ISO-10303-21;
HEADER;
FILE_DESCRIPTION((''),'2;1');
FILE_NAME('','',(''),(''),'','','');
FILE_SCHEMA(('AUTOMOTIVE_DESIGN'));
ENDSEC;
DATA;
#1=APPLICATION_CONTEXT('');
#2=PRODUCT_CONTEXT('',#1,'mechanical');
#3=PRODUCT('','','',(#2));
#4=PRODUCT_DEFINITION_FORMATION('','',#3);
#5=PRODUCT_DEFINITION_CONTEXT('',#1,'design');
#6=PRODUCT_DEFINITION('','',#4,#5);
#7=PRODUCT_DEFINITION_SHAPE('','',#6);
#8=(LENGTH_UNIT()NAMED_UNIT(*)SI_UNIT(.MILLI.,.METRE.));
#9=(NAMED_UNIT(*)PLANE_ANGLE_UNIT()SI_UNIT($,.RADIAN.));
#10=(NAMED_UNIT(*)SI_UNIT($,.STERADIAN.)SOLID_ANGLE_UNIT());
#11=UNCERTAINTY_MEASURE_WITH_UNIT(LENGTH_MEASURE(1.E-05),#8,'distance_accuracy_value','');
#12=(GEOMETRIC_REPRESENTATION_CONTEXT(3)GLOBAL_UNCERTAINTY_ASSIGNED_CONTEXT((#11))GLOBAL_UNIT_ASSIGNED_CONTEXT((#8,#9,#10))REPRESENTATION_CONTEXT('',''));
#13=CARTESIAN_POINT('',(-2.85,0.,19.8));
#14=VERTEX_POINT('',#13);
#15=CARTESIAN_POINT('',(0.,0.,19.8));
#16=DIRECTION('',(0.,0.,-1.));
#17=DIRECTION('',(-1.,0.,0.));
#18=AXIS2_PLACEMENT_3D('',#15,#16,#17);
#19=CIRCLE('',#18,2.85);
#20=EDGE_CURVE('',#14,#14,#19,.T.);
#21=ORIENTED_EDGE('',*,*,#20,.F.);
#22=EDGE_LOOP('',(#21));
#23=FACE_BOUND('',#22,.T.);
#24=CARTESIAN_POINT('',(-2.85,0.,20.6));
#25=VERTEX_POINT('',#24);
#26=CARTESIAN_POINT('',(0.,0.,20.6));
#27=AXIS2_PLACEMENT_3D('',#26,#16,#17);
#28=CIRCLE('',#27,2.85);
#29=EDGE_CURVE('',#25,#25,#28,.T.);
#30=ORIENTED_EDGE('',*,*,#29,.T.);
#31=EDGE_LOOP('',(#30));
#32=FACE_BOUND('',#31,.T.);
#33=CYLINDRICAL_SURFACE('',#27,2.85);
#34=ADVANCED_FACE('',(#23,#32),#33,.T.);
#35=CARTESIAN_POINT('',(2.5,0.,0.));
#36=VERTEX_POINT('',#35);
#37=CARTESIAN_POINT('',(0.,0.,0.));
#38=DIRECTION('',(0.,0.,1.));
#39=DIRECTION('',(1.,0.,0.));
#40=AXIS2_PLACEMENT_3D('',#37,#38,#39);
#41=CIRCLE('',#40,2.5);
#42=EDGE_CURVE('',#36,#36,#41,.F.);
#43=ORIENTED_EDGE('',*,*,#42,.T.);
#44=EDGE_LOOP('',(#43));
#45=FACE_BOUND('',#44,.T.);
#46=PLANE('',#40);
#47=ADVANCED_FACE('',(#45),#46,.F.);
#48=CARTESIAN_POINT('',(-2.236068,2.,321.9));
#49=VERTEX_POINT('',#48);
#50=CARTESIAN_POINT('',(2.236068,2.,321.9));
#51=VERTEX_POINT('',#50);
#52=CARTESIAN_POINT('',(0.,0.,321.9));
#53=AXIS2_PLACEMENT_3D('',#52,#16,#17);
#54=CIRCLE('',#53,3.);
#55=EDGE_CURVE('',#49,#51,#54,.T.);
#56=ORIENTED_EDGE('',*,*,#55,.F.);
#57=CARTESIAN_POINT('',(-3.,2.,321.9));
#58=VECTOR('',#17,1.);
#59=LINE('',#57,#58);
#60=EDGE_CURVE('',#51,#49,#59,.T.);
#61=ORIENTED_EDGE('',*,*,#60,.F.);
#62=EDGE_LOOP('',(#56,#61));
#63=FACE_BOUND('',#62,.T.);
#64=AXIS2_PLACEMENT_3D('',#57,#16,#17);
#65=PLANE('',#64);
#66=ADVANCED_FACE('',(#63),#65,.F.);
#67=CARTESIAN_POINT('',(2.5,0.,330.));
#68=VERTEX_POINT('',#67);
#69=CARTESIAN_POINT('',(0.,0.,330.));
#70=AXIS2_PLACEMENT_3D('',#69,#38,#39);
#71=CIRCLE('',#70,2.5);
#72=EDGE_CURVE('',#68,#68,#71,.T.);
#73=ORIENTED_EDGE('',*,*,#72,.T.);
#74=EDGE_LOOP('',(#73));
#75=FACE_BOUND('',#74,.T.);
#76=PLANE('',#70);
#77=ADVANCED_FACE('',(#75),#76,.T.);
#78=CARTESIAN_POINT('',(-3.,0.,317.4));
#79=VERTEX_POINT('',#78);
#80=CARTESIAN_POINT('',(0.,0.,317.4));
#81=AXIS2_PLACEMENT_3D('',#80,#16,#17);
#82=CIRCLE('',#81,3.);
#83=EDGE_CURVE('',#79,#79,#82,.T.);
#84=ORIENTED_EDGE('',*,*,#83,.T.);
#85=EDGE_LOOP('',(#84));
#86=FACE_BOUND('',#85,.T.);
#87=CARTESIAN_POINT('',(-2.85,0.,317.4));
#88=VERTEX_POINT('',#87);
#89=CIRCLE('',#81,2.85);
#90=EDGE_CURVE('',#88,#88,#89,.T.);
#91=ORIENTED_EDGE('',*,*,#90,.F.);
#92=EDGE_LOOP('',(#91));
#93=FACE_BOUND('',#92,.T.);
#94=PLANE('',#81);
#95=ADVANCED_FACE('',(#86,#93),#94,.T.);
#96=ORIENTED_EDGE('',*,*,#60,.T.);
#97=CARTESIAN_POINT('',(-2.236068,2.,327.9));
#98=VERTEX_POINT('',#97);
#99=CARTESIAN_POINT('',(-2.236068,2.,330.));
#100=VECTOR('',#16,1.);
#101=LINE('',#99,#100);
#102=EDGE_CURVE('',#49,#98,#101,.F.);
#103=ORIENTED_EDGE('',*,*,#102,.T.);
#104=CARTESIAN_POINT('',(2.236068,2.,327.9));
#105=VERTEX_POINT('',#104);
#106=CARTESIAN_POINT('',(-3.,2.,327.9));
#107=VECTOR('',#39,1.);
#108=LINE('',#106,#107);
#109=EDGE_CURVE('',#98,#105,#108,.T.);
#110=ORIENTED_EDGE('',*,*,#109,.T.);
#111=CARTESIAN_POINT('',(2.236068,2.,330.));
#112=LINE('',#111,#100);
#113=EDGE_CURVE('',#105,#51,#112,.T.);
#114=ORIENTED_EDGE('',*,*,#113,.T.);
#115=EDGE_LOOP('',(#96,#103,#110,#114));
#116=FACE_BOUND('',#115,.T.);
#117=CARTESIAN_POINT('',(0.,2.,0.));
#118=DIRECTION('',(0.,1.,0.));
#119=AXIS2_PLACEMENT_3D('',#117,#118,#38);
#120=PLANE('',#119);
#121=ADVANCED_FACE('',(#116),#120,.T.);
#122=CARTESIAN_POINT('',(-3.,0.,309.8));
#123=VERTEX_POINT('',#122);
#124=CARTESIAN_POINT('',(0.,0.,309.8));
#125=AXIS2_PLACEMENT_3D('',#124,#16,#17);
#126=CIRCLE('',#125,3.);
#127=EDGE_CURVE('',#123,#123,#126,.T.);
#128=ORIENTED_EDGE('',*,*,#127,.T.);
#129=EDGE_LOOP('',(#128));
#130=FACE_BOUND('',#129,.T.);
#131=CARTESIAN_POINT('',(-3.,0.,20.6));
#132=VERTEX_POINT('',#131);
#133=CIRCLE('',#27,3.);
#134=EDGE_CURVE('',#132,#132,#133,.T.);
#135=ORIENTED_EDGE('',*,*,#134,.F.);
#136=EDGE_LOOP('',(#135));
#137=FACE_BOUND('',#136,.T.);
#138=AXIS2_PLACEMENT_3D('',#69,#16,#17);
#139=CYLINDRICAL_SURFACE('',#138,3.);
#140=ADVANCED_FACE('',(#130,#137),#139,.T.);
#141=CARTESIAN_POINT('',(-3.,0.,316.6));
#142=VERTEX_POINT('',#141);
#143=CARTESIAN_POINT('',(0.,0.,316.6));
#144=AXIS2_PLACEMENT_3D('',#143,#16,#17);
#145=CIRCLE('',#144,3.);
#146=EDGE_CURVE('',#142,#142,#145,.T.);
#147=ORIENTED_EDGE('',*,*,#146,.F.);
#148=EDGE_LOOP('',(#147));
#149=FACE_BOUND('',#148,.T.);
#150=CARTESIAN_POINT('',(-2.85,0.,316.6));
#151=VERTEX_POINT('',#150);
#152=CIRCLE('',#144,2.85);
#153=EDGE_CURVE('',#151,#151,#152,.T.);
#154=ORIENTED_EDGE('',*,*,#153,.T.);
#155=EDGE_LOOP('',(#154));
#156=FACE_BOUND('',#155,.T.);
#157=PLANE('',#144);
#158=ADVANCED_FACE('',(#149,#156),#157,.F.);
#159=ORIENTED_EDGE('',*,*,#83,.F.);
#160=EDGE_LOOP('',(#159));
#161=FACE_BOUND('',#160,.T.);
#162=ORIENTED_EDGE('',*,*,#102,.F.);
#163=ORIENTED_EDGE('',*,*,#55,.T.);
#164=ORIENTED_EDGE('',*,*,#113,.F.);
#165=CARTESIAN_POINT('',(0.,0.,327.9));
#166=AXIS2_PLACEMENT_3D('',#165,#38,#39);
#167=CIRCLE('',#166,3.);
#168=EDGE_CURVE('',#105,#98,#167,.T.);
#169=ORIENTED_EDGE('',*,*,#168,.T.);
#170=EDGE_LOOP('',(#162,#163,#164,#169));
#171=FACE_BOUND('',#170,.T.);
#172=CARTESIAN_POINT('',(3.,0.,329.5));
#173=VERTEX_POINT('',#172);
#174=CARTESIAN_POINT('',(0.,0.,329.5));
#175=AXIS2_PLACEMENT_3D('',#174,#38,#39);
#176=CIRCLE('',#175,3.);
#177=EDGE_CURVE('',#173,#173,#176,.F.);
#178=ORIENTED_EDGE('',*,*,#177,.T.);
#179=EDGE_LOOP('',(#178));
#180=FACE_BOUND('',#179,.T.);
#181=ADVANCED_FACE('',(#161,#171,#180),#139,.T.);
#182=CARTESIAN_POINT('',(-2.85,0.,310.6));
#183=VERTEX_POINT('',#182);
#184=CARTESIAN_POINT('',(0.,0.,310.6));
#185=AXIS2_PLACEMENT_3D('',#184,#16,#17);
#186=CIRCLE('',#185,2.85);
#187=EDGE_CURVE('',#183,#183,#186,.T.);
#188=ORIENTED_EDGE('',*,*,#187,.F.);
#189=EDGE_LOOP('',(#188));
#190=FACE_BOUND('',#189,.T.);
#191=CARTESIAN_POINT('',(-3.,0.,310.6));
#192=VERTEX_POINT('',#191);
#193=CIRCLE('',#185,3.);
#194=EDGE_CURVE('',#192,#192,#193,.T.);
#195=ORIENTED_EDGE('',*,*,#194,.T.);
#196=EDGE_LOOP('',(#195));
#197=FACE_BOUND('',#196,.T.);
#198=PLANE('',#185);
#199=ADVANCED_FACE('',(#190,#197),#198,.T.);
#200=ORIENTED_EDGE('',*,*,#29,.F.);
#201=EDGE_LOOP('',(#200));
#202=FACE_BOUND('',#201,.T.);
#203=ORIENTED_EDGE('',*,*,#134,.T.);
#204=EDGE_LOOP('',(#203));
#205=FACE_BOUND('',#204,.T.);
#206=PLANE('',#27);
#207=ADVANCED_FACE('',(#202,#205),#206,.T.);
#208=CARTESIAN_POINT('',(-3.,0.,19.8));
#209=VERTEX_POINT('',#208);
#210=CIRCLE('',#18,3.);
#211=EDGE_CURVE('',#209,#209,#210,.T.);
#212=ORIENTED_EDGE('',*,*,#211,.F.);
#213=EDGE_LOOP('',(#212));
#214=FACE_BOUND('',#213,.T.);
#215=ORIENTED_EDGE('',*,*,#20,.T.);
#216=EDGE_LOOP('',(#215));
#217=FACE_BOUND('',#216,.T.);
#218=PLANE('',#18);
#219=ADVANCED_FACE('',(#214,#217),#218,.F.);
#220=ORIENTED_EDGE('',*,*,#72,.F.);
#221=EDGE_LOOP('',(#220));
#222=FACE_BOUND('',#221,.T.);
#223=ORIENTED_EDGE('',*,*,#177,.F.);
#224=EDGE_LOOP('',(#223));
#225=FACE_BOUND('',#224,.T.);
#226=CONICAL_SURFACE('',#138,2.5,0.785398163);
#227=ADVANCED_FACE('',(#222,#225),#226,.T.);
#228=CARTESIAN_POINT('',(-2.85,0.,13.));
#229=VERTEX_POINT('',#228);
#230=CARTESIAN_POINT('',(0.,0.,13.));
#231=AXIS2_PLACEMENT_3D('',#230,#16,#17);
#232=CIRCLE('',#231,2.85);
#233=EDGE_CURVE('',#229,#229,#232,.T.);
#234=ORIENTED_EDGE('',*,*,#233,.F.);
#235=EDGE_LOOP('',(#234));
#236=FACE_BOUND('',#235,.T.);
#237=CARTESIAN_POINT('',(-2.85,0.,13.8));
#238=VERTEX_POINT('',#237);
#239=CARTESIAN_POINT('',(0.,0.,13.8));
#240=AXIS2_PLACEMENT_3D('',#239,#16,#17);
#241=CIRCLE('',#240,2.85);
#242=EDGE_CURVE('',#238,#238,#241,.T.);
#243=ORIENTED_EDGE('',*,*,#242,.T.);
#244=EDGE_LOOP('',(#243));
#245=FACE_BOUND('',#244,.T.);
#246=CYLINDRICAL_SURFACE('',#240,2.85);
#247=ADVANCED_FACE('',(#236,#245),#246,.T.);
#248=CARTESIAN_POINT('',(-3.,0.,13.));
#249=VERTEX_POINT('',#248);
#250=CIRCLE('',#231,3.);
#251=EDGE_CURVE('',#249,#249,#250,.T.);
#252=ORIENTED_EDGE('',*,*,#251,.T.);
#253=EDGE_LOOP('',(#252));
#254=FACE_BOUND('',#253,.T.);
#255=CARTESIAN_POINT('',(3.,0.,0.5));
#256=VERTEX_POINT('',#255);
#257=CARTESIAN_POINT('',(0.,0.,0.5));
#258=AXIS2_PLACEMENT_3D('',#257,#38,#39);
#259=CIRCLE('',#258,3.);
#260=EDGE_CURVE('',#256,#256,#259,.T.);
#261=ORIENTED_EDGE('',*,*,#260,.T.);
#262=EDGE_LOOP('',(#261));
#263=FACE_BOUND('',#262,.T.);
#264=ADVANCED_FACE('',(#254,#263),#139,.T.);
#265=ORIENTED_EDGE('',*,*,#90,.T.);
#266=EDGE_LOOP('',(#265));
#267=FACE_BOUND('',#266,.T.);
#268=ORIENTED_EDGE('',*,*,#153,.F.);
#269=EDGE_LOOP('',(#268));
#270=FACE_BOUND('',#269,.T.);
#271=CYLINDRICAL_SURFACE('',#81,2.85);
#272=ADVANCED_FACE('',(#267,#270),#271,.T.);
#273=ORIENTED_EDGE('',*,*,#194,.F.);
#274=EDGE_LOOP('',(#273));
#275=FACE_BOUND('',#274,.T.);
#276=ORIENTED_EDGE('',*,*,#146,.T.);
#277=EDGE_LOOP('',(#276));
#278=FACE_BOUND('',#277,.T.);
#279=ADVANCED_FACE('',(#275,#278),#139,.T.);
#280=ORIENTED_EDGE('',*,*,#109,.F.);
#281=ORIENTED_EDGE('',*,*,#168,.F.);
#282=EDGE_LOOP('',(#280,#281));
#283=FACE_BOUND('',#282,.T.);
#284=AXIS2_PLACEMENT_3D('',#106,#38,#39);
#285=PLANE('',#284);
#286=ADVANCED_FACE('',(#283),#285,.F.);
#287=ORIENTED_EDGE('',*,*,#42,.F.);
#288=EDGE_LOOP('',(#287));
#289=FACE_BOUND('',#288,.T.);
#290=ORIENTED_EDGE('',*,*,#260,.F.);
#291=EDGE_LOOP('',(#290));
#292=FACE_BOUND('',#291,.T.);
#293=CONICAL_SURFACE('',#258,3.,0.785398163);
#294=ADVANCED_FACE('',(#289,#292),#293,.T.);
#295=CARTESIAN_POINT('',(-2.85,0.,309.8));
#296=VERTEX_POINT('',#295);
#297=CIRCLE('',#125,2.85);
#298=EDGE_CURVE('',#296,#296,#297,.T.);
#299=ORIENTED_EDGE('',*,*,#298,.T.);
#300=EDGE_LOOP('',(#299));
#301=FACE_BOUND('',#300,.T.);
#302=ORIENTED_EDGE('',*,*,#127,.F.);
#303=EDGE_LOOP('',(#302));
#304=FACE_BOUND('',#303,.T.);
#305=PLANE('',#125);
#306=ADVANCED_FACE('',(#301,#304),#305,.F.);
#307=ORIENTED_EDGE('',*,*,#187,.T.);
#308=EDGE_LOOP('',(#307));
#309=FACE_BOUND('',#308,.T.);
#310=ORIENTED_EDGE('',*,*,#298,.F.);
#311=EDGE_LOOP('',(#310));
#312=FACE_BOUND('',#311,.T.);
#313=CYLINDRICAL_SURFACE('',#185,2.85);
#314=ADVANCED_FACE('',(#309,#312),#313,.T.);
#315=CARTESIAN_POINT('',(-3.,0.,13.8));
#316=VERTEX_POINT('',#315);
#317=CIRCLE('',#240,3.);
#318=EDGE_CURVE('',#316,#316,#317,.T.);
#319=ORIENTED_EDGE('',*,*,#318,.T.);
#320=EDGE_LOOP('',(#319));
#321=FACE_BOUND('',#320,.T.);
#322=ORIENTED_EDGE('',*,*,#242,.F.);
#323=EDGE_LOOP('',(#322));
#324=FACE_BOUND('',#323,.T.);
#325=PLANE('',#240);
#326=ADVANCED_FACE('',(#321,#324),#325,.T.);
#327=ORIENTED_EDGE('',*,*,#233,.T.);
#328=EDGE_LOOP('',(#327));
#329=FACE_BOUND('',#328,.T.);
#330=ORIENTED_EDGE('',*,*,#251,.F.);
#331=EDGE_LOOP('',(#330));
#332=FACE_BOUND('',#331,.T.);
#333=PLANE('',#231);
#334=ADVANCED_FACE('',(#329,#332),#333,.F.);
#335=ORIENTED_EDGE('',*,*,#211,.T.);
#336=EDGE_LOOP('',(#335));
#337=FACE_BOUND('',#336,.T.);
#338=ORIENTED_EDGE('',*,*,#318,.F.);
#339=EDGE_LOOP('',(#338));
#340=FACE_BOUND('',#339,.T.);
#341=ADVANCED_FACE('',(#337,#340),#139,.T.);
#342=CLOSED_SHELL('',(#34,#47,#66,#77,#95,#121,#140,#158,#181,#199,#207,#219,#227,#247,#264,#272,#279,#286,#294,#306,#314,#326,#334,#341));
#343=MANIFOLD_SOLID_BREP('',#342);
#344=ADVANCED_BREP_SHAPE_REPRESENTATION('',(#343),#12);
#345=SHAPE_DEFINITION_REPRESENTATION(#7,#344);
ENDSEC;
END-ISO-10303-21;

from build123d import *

# Parameters (mm, degrees)
SKETCH1_R           = 3
BOSS_EXTRUDE1_DEPTH = 330
CUT_EXTRUDE1_START  = -13
SKETCH2_R           = 3
SKETCH2_R_2         = 2.85
CUT_EXTRUDE1_DEPTH  = 0.8
CUT_EXTRUDE2_START  = -6
SKETCH3_R           = 3
SKETCH3_R_2         = 2.85
CUT_EXTRUDE2_DEPTH  = 0.8
CUT_EXTRUDE3_START  = -296
SKETCH3_2_R         = 3
SKETCH3_2_R_2       = 2.85
CUT_EXTRUDE3_DEPTH  = 0.8
CUT_EXTRUDE4_START  = -302.8
SKETCH3_3_R         = 3
SKETCH3_3_R_2       = 2.85
CUT_EXTRUDE4_DEPTH  = 0.8
CUT_EXTRUDE5_START  = 3
SKETCH4_W           = 6
SKETCH4_H           = 6
CUT_EXTRUDE5_DEPTH  = 1
CHAMFER1_SIZE       = 0.5


with BuildPart() as part:
    # Sketch1 → Boss-Extrude1 (new body)
    with BuildSketch(Plane.XY):
        Circle(SKETCH1_R)
    extrude(amount=BOSS_EXTRUDE1_DEPTH)

    # Sketch2 → Cut-Extrude1 (cut)
    with BuildSketch(Plane(origin=(0, 0, 0), x_dir=(-1, 0, 0), z_dir=(0, 0, -1)).offset(CUT_EXTRUDE1_START)):
        Circle(SKETCH2_R)
        Circle(SKETCH2_R_2, mode=Mode.SUBTRACT)
    extrude(amount=-CUT_EXTRUDE1_DEPTH, mode=Mode.SUBTRACT)

    # Sketch3 → Cut-Extrude2 (cut)
    with BuildSketch(Plane(origin=(0, 0, 13.8), x_dir=(-1, 0, 0), z_dir=(0, 0, -1)).offset(CUT_EXTRUDE2_START)):
        Circle(SKETCH3_R)
        Circle(SKETCH3_R_2, mode=Mode.SUBTRACT)
    extrude(amount=-CUT_EXTRUDE2_DEPTH, mode=Mode.SUBTRACT)

    # Sketch3<2> → Cut-Extrude3 (cut)
    with BuildSketch(Plane(origin=(0, 0, 13.8), x_dir=(-1, 0, 0), z_dir=(0, 0, -1)).offset(CUT_EXTRUDE3_START)):
        Circle(SKETCH3_2_R)
        Circle(SKETCH3_2_R_2, mode=Mode.SUBTRACT)
    extrude(amount=-CUT_EXTRUDE3_DEPTH, mode=Mode.SUBTRACT)

    # Sketch3<3> → Cut-Extrude4 (cut)
    with BuildSketch(Plane(origin=(0, 0, 13.8), x_dir=(-1, 0, 0), z_dir=(0, 0, -1)).offset(CUT_EXTRUDE4_START)):
        Circle(SKETCH3_3_R)
        Circle(SKETCH3_3_R_2, mode=Mode.SUBTRACT)
    extrude(amount=-CUT_EXTRUDE4_DEPTH, mode=Mode.SUBTRACT)

    # Sketch4 → Cut-Extrude5 (cut)
    with BuildSketch(Plane(origin=(0, 0, 0), x_dir=(1, 0, 0), z_dir=(0, 1, 0)).offset(CUT_EXTRUDE5_START)):
        with Locations((0, -324.9)):
            Rectangle(SKETCH4_W, SKETCH4_H)
    extrude(amount=-CUT_EXTRUDE5_DEPTH, mode=Mode.SUBTRACT)

    # Chamfer1
    chamfer1_edges = [part.edges().sort_by_distance(p)[0] for p in [
        (-3, 0, 0),
        (-3, 0, 330),
    ]]
    chamfer(chamfer1_edges, length=CHAMFER1_SIZE)


solid = part.part
